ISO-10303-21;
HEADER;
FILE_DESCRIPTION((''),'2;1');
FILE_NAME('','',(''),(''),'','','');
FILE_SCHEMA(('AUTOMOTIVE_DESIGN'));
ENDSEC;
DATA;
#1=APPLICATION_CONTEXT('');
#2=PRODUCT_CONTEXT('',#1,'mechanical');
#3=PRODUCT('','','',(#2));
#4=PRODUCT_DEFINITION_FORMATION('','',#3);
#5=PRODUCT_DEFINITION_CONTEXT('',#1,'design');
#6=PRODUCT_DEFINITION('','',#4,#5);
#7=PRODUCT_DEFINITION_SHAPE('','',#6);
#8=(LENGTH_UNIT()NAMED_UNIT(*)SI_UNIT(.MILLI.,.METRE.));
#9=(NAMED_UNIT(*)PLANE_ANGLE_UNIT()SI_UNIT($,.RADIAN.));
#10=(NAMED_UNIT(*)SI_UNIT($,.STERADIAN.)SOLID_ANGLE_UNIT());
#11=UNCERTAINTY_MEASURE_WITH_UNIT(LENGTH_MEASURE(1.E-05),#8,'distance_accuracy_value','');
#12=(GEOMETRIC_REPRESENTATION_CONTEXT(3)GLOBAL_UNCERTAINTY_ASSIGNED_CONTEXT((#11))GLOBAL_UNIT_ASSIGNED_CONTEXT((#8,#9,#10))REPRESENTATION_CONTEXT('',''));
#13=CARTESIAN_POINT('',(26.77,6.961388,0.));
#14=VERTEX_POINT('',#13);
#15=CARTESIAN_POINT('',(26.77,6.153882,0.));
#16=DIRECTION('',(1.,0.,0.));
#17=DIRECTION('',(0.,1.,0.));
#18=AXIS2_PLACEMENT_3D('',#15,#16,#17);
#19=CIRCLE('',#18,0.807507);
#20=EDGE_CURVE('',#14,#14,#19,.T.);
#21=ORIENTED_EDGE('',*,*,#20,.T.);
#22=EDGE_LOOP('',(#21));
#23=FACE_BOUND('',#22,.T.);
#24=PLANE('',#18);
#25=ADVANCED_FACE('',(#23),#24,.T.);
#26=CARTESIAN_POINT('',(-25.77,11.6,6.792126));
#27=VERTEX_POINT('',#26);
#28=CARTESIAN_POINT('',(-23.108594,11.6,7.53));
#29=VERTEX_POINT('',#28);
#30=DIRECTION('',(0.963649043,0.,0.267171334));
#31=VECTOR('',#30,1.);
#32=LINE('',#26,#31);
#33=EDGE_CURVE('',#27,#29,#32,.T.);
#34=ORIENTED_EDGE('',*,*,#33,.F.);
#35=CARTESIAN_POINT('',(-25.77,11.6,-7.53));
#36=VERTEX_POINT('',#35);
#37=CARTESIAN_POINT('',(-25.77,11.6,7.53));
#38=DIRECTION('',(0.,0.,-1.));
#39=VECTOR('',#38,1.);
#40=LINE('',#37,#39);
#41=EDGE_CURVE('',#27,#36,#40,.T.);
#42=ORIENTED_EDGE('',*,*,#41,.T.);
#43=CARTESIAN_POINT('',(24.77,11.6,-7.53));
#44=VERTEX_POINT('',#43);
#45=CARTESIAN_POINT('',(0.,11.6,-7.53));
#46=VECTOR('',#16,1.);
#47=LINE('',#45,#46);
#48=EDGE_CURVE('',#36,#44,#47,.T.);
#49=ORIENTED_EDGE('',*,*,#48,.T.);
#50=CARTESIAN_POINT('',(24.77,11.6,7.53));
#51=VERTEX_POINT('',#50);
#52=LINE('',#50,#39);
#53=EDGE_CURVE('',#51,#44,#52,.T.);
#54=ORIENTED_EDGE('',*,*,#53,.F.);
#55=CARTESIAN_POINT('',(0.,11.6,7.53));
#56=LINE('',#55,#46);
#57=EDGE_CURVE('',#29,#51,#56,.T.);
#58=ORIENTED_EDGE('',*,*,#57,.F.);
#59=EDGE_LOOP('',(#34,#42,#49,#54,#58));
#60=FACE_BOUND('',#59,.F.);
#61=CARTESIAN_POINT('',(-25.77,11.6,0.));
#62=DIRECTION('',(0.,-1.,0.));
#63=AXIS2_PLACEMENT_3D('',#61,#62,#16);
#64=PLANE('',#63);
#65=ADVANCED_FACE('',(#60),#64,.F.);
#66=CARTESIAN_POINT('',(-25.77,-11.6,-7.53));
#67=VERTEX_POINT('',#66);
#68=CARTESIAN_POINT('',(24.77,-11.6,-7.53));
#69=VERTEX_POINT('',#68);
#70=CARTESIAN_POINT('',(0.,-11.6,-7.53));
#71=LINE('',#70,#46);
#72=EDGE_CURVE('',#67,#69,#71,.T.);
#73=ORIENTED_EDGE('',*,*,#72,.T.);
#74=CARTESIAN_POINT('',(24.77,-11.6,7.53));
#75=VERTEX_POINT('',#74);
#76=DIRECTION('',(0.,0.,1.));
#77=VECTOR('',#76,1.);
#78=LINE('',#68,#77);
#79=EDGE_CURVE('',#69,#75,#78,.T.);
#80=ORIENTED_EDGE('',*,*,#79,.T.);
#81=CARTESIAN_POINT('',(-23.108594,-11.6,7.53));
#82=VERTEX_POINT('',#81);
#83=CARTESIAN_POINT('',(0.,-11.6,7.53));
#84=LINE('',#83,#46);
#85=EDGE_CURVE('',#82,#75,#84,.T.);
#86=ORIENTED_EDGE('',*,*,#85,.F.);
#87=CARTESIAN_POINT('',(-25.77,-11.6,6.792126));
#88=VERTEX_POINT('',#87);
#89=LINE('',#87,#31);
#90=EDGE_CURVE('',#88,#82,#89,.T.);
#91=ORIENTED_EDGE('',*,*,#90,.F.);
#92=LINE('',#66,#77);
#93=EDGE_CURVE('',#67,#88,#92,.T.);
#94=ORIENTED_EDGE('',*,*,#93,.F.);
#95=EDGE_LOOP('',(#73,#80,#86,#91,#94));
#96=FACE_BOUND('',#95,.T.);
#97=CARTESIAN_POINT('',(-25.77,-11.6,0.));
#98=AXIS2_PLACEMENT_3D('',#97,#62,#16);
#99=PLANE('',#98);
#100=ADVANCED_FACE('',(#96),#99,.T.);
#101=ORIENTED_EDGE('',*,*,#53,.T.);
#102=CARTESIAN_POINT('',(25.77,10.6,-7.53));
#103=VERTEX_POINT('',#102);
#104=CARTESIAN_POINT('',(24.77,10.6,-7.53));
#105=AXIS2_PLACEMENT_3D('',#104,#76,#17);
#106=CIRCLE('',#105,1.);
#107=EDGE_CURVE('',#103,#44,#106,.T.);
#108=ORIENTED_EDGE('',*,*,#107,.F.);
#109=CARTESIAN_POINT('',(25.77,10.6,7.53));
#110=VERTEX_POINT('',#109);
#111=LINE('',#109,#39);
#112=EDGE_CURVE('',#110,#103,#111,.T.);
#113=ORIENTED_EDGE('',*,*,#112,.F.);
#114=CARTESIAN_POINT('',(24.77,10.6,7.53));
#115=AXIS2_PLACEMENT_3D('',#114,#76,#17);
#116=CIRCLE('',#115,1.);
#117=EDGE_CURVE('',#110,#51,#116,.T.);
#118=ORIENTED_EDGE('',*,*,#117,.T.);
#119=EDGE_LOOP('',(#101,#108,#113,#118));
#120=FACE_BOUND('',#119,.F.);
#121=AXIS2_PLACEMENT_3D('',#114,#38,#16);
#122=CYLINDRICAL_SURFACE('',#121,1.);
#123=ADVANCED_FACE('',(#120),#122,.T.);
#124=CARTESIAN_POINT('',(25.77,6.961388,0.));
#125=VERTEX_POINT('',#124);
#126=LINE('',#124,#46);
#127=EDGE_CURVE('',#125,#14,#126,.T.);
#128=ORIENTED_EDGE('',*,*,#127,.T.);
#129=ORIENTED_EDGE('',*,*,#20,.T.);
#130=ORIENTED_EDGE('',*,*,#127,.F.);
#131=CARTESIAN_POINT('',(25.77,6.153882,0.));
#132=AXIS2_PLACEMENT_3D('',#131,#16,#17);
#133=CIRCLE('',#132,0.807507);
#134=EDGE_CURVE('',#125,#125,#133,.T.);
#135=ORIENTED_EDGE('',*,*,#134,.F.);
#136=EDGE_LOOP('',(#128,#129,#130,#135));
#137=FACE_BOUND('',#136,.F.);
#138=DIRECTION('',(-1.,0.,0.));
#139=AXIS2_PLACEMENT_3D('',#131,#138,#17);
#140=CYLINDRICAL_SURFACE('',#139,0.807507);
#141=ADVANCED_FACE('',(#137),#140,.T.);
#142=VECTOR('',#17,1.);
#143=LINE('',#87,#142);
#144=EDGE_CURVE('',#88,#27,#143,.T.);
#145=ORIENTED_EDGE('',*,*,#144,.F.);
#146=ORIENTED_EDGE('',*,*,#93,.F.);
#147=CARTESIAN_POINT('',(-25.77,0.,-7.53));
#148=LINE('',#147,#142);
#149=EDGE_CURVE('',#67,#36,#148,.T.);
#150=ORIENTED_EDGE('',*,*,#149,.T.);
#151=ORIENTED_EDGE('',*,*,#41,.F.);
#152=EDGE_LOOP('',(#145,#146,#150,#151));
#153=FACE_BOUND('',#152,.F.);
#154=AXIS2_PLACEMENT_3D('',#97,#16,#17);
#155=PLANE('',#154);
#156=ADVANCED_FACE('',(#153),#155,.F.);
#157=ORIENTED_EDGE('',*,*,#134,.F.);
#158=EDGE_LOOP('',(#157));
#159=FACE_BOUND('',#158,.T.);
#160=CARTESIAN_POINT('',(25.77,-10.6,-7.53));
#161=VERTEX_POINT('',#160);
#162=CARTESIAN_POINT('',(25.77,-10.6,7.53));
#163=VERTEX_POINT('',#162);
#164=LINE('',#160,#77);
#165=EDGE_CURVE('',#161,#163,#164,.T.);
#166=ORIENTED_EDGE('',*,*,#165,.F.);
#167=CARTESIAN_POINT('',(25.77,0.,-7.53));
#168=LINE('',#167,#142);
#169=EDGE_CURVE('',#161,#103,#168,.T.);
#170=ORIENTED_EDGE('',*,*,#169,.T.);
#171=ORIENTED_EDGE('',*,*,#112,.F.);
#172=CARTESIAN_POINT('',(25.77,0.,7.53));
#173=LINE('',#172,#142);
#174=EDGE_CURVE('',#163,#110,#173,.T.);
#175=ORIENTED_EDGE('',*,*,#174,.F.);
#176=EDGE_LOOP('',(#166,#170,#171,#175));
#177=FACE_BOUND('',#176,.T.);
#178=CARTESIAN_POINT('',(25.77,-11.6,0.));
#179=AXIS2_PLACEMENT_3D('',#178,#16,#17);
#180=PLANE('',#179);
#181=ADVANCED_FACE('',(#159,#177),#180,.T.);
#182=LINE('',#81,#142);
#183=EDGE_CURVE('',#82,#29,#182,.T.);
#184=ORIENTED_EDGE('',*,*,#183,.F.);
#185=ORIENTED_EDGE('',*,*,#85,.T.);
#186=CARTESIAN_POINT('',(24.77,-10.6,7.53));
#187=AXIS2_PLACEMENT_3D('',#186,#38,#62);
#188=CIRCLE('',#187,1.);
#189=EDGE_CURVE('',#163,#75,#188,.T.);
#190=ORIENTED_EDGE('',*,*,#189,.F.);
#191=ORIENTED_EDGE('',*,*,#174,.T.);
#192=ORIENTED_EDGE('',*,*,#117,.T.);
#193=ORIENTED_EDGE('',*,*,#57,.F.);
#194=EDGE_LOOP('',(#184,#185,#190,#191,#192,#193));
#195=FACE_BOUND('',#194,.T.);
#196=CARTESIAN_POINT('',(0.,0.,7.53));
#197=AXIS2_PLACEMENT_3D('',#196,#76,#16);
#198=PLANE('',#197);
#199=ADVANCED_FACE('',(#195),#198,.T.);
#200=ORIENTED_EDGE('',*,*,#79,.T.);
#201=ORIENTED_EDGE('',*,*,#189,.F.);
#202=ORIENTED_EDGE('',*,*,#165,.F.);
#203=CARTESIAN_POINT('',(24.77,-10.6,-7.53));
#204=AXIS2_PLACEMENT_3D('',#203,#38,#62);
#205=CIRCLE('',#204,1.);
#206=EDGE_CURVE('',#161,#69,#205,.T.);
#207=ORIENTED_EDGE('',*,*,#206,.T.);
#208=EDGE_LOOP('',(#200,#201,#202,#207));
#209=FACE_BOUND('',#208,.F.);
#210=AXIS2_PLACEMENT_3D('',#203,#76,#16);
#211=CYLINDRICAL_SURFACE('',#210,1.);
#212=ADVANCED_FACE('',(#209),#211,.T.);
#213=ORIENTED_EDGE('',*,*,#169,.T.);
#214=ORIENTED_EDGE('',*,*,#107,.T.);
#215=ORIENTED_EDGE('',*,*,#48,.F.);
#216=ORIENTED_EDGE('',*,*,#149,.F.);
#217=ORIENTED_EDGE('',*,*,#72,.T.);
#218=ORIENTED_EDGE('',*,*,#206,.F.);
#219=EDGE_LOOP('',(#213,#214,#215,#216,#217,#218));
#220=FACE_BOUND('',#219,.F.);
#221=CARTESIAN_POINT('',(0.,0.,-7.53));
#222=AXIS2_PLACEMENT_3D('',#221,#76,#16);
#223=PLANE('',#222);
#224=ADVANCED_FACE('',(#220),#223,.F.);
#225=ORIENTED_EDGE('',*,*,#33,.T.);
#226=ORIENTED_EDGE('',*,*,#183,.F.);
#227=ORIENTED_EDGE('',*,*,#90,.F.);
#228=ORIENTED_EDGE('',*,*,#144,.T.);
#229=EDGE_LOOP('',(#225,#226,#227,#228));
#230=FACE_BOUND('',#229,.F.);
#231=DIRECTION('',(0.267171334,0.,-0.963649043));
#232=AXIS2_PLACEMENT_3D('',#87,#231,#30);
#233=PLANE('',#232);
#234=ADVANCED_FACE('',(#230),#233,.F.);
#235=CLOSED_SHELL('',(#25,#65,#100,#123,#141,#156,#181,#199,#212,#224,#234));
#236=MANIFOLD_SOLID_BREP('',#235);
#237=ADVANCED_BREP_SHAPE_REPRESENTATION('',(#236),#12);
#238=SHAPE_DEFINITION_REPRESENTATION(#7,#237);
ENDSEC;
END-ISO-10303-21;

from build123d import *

# Parameters (mm, degrees)
F0_W     = 51.54
F0_H     = 23.2
F1_DEPTH = 7.53
F2_R     = 1
F3_R     = 0.8075065721
F4_DEPTH = 1
F6_DEPTH = 23.2


with BuildPart() as f1:
    # F0 (on Top) → F1 (new body, symmetric)
    with BuildSketch(Plane.XY):
        Rectangle(F0_W, F0_H)
    extrude(amount=F1_DEPTH, both=True)

    # F2
    f2_edges = [f1.edges().sort_by_distance(p)[0] for p in [
        (25.77, 11.6, 0),
        (25.77, -11.6, 0),
    ]]
    fillet(f2_edges, radius=F2_R)

    # F3 (on face) → F4 (join)
    with BuildSketch(Plane.YZ.offset(25.77)):
        with Locations((6.1538815498, 0)):
            Circle(F3_R)
    extrude(amount=F4_DEPTH)

    # F5 (on face) → F6 (cut, through all)
    with BuildSketch(Plane.XZ.offset(11.6)):
        Polygon((-25.77, 7.53), (-25.77, 6.7921262234), (-23.1085941195, 7.53), align=None)
    extrude(amount=-F6_DEPTH, mode=Mode.SUBTRACT)


solid = f1.part
